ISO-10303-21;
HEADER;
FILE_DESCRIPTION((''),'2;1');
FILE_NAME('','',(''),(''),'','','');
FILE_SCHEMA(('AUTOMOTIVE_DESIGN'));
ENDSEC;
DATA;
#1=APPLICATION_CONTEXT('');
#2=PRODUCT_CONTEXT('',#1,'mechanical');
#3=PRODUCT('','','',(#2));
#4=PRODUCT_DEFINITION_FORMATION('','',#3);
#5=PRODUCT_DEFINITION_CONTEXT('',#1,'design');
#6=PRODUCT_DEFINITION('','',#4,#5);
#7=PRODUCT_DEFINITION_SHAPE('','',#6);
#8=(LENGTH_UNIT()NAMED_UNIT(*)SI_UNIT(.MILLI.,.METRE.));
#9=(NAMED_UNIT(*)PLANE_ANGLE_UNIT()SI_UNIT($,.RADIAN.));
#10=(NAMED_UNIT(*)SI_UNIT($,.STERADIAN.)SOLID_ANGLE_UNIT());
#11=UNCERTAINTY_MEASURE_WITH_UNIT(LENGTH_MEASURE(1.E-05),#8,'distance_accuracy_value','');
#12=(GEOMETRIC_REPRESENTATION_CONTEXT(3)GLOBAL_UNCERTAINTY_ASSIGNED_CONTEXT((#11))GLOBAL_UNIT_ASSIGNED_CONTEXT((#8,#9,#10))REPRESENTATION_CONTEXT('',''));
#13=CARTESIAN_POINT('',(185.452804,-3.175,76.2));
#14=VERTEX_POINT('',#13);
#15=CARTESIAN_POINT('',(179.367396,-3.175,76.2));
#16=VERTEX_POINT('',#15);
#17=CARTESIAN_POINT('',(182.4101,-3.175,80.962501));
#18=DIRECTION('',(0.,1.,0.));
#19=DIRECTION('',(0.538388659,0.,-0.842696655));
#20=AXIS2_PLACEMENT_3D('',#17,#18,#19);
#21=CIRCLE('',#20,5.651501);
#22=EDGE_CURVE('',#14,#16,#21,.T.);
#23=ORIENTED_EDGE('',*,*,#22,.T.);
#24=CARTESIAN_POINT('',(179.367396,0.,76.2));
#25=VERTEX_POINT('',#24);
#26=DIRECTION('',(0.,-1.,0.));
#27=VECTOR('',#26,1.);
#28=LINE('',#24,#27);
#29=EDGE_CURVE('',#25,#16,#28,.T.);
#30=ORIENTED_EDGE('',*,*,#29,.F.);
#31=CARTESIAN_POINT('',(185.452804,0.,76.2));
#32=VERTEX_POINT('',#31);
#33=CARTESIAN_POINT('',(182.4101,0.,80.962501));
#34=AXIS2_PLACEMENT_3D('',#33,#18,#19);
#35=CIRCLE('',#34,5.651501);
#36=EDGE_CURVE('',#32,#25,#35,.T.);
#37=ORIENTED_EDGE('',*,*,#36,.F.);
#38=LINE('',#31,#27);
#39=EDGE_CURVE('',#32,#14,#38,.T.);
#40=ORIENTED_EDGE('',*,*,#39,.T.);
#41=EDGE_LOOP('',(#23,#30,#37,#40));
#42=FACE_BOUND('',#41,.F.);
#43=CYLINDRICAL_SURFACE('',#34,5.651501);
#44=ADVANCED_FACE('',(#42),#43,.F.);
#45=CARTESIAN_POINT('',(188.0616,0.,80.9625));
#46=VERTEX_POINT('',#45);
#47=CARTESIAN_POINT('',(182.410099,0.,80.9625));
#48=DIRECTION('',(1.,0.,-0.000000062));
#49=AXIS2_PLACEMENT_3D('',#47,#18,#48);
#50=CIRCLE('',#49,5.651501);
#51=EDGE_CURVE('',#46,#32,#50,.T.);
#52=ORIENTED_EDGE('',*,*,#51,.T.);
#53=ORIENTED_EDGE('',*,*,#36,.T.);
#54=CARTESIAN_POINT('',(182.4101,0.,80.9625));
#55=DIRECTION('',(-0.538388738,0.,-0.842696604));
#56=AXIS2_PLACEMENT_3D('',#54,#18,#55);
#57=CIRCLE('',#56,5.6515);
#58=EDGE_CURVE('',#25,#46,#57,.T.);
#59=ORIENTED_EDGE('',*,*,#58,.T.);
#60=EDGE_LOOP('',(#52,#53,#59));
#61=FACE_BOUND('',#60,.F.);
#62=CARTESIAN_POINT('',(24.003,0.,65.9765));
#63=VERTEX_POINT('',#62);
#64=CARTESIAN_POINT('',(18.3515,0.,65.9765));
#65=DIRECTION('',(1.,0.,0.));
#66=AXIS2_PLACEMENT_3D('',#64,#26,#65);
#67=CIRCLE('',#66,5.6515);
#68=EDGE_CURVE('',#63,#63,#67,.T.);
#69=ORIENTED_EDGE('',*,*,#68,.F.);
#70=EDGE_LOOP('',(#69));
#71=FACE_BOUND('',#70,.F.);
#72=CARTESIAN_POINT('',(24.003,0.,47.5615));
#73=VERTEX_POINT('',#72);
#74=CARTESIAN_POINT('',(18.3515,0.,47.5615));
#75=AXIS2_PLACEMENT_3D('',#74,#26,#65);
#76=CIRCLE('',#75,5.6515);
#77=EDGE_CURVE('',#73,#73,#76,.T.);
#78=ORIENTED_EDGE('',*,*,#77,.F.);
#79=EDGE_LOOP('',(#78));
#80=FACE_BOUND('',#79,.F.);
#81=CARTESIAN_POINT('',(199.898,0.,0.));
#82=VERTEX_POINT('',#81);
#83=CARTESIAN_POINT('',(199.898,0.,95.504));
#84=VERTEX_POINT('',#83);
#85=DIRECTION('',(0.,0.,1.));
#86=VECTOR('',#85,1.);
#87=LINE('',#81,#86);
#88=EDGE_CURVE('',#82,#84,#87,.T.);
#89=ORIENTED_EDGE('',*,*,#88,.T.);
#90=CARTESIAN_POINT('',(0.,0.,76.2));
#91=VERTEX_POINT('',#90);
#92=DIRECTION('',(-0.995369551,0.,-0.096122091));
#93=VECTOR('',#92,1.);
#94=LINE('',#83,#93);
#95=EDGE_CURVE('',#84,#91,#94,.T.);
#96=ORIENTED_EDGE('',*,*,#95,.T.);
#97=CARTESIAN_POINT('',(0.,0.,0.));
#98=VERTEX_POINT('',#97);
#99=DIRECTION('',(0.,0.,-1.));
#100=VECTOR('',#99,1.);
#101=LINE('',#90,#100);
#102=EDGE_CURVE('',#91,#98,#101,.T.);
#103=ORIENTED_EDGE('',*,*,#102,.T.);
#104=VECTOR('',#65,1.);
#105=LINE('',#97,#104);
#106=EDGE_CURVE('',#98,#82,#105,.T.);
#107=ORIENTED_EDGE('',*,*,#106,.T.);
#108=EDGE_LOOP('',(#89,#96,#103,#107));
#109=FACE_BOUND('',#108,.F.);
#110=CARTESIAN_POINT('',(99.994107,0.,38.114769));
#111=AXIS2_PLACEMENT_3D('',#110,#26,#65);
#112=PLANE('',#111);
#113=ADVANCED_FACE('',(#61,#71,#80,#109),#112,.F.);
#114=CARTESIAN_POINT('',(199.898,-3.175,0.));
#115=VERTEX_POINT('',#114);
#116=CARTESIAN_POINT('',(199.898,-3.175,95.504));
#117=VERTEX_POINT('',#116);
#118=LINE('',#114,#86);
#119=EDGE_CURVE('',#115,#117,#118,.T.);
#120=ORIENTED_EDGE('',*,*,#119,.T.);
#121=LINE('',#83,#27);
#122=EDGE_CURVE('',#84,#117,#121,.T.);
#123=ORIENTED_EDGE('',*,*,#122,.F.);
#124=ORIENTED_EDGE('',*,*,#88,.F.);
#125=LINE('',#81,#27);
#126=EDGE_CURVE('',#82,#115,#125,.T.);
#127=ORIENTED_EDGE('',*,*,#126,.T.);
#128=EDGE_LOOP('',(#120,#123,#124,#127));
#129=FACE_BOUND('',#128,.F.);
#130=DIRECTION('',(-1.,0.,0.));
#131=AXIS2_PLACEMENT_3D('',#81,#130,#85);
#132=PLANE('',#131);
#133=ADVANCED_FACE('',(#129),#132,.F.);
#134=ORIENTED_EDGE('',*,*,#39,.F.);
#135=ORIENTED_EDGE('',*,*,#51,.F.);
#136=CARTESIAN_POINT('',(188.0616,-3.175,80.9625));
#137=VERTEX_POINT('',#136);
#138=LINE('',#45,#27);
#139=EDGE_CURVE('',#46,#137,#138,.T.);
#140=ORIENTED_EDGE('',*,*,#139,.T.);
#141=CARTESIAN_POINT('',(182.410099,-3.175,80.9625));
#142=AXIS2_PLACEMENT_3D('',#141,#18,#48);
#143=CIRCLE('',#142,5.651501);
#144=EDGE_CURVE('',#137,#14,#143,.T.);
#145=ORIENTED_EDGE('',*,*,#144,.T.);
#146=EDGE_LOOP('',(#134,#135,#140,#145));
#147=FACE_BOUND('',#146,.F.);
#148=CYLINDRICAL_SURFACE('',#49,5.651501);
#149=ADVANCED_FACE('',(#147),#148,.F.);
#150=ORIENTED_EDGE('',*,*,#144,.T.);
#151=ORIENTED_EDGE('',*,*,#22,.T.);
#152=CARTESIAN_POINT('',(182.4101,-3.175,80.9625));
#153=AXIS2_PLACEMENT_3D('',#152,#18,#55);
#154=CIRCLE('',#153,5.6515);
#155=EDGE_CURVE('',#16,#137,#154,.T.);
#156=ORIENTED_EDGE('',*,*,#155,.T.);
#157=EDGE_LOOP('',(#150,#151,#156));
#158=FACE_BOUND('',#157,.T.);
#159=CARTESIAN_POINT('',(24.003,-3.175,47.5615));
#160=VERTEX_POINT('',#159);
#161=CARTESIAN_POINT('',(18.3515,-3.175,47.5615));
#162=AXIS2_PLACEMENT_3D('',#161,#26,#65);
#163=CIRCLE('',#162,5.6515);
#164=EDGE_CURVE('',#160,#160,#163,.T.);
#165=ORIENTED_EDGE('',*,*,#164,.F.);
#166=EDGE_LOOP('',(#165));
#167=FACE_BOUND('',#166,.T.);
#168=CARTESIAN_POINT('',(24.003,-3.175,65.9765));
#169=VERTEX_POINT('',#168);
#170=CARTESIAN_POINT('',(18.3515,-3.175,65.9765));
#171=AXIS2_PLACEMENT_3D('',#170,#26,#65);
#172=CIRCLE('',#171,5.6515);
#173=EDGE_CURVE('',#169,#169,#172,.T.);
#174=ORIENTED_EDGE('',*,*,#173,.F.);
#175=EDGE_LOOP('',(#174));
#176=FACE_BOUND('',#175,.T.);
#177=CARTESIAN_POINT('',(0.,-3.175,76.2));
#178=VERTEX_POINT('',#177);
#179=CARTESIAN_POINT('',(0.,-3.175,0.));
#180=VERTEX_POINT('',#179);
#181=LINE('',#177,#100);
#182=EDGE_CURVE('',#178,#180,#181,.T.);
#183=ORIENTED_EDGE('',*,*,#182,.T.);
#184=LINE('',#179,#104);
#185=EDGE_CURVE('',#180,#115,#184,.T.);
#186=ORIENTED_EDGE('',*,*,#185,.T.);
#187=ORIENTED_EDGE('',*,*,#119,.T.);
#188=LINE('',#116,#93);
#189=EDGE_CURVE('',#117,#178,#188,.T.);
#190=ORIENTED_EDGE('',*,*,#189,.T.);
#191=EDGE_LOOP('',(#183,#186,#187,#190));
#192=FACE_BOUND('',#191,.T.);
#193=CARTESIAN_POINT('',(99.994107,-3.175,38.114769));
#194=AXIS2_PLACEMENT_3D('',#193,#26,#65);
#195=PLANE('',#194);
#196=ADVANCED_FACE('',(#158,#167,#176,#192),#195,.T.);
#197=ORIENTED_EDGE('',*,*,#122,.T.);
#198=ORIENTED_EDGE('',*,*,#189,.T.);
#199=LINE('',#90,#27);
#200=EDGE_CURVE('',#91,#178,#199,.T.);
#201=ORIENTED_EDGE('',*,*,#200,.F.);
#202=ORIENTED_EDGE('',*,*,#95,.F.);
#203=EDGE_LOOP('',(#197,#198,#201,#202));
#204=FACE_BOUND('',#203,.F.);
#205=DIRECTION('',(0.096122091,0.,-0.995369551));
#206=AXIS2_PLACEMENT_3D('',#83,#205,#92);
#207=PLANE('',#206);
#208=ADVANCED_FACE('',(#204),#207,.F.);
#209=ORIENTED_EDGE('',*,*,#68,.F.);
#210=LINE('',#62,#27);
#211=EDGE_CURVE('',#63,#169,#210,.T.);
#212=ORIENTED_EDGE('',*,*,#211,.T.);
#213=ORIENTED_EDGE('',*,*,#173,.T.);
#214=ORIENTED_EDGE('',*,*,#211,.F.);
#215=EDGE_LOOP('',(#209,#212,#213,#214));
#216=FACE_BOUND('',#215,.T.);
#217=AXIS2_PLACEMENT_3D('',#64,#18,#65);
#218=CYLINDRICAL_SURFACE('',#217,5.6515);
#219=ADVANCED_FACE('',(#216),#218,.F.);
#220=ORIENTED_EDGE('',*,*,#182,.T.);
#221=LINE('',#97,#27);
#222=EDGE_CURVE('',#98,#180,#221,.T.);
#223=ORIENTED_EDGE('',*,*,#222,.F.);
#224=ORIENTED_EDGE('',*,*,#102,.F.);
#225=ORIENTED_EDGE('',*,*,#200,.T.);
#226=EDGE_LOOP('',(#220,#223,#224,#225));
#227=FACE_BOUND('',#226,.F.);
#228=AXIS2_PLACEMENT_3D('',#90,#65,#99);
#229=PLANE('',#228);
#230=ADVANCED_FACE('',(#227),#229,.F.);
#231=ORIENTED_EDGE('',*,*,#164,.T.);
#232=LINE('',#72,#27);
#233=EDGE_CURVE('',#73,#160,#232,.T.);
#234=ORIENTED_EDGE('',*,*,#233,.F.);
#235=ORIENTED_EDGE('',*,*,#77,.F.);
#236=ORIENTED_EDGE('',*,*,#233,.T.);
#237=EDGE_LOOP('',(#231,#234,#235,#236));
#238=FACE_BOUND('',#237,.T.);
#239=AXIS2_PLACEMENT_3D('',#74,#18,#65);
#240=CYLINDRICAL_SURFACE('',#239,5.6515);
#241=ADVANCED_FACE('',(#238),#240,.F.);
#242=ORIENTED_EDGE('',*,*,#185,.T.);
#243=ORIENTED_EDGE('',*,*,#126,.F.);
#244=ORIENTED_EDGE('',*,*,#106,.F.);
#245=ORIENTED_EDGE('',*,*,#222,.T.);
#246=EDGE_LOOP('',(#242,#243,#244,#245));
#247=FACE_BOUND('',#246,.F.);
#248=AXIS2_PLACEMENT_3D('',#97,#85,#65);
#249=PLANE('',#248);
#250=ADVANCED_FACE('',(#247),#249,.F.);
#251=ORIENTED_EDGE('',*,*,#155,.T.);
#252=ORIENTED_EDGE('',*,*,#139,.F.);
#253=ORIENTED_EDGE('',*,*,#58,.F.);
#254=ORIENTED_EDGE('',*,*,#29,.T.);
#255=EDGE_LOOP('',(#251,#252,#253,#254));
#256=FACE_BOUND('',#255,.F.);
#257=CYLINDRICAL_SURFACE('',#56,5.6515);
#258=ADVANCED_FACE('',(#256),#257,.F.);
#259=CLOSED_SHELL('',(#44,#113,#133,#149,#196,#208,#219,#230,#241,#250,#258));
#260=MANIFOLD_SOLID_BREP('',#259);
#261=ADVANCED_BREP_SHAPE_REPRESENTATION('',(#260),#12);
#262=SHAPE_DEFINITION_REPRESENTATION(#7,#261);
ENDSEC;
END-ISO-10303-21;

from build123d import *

# Parameters (mm, degrees)
F0_R     = 5.6515
F1_DEPTH = 3.175


with BuildPart() as f1:
    # F0 (on Front) → F1 (new body)
    with BuildSketch(Plane.XZ):
        with BuildLine():
            Line((0, 76.2), (0, 0))
            Line((0, 0), (199.898, 0))
            Line((199.898, 0), (199.898, 76.2))
            Line((199.898, 76.2), (185.452804, 76.2))
            ThreePointArc((185.452804, 76.2), (182.4101, 75.311), (179.367396, 76.2))
            Line((179.367396, 76.2), (0, 76.2))
        make_face()
        with Locations((18.3515, 47.5615)):
            Circle(F0_R, mode=Mode.SUBTRACT)
        with Locations((18.3515, 65.9765)):
            Circle(F0_R, mode=Mode.SUBTRACT)
        with BuildLine():
            Line((199.898, 95.504), (0, 76.2))
            Line((0, 76.2), (179.367396, 76.2))
            ThreePointArc((179.367396, 76.2), (179.694993, 85.919076), (188.0616, 80.9625))
            ThreePointArc((188.0616, 80.9625), (187.366676, 78.247393), (185.452804, 76.2))
            Line((185.452804, 76.2), (199.898, 76.2))
            Line((199.898, 76.2), (199.898, 95.504))
        make_face()
    extrude(amount=F1_DEPTH)


solid = f1.part
